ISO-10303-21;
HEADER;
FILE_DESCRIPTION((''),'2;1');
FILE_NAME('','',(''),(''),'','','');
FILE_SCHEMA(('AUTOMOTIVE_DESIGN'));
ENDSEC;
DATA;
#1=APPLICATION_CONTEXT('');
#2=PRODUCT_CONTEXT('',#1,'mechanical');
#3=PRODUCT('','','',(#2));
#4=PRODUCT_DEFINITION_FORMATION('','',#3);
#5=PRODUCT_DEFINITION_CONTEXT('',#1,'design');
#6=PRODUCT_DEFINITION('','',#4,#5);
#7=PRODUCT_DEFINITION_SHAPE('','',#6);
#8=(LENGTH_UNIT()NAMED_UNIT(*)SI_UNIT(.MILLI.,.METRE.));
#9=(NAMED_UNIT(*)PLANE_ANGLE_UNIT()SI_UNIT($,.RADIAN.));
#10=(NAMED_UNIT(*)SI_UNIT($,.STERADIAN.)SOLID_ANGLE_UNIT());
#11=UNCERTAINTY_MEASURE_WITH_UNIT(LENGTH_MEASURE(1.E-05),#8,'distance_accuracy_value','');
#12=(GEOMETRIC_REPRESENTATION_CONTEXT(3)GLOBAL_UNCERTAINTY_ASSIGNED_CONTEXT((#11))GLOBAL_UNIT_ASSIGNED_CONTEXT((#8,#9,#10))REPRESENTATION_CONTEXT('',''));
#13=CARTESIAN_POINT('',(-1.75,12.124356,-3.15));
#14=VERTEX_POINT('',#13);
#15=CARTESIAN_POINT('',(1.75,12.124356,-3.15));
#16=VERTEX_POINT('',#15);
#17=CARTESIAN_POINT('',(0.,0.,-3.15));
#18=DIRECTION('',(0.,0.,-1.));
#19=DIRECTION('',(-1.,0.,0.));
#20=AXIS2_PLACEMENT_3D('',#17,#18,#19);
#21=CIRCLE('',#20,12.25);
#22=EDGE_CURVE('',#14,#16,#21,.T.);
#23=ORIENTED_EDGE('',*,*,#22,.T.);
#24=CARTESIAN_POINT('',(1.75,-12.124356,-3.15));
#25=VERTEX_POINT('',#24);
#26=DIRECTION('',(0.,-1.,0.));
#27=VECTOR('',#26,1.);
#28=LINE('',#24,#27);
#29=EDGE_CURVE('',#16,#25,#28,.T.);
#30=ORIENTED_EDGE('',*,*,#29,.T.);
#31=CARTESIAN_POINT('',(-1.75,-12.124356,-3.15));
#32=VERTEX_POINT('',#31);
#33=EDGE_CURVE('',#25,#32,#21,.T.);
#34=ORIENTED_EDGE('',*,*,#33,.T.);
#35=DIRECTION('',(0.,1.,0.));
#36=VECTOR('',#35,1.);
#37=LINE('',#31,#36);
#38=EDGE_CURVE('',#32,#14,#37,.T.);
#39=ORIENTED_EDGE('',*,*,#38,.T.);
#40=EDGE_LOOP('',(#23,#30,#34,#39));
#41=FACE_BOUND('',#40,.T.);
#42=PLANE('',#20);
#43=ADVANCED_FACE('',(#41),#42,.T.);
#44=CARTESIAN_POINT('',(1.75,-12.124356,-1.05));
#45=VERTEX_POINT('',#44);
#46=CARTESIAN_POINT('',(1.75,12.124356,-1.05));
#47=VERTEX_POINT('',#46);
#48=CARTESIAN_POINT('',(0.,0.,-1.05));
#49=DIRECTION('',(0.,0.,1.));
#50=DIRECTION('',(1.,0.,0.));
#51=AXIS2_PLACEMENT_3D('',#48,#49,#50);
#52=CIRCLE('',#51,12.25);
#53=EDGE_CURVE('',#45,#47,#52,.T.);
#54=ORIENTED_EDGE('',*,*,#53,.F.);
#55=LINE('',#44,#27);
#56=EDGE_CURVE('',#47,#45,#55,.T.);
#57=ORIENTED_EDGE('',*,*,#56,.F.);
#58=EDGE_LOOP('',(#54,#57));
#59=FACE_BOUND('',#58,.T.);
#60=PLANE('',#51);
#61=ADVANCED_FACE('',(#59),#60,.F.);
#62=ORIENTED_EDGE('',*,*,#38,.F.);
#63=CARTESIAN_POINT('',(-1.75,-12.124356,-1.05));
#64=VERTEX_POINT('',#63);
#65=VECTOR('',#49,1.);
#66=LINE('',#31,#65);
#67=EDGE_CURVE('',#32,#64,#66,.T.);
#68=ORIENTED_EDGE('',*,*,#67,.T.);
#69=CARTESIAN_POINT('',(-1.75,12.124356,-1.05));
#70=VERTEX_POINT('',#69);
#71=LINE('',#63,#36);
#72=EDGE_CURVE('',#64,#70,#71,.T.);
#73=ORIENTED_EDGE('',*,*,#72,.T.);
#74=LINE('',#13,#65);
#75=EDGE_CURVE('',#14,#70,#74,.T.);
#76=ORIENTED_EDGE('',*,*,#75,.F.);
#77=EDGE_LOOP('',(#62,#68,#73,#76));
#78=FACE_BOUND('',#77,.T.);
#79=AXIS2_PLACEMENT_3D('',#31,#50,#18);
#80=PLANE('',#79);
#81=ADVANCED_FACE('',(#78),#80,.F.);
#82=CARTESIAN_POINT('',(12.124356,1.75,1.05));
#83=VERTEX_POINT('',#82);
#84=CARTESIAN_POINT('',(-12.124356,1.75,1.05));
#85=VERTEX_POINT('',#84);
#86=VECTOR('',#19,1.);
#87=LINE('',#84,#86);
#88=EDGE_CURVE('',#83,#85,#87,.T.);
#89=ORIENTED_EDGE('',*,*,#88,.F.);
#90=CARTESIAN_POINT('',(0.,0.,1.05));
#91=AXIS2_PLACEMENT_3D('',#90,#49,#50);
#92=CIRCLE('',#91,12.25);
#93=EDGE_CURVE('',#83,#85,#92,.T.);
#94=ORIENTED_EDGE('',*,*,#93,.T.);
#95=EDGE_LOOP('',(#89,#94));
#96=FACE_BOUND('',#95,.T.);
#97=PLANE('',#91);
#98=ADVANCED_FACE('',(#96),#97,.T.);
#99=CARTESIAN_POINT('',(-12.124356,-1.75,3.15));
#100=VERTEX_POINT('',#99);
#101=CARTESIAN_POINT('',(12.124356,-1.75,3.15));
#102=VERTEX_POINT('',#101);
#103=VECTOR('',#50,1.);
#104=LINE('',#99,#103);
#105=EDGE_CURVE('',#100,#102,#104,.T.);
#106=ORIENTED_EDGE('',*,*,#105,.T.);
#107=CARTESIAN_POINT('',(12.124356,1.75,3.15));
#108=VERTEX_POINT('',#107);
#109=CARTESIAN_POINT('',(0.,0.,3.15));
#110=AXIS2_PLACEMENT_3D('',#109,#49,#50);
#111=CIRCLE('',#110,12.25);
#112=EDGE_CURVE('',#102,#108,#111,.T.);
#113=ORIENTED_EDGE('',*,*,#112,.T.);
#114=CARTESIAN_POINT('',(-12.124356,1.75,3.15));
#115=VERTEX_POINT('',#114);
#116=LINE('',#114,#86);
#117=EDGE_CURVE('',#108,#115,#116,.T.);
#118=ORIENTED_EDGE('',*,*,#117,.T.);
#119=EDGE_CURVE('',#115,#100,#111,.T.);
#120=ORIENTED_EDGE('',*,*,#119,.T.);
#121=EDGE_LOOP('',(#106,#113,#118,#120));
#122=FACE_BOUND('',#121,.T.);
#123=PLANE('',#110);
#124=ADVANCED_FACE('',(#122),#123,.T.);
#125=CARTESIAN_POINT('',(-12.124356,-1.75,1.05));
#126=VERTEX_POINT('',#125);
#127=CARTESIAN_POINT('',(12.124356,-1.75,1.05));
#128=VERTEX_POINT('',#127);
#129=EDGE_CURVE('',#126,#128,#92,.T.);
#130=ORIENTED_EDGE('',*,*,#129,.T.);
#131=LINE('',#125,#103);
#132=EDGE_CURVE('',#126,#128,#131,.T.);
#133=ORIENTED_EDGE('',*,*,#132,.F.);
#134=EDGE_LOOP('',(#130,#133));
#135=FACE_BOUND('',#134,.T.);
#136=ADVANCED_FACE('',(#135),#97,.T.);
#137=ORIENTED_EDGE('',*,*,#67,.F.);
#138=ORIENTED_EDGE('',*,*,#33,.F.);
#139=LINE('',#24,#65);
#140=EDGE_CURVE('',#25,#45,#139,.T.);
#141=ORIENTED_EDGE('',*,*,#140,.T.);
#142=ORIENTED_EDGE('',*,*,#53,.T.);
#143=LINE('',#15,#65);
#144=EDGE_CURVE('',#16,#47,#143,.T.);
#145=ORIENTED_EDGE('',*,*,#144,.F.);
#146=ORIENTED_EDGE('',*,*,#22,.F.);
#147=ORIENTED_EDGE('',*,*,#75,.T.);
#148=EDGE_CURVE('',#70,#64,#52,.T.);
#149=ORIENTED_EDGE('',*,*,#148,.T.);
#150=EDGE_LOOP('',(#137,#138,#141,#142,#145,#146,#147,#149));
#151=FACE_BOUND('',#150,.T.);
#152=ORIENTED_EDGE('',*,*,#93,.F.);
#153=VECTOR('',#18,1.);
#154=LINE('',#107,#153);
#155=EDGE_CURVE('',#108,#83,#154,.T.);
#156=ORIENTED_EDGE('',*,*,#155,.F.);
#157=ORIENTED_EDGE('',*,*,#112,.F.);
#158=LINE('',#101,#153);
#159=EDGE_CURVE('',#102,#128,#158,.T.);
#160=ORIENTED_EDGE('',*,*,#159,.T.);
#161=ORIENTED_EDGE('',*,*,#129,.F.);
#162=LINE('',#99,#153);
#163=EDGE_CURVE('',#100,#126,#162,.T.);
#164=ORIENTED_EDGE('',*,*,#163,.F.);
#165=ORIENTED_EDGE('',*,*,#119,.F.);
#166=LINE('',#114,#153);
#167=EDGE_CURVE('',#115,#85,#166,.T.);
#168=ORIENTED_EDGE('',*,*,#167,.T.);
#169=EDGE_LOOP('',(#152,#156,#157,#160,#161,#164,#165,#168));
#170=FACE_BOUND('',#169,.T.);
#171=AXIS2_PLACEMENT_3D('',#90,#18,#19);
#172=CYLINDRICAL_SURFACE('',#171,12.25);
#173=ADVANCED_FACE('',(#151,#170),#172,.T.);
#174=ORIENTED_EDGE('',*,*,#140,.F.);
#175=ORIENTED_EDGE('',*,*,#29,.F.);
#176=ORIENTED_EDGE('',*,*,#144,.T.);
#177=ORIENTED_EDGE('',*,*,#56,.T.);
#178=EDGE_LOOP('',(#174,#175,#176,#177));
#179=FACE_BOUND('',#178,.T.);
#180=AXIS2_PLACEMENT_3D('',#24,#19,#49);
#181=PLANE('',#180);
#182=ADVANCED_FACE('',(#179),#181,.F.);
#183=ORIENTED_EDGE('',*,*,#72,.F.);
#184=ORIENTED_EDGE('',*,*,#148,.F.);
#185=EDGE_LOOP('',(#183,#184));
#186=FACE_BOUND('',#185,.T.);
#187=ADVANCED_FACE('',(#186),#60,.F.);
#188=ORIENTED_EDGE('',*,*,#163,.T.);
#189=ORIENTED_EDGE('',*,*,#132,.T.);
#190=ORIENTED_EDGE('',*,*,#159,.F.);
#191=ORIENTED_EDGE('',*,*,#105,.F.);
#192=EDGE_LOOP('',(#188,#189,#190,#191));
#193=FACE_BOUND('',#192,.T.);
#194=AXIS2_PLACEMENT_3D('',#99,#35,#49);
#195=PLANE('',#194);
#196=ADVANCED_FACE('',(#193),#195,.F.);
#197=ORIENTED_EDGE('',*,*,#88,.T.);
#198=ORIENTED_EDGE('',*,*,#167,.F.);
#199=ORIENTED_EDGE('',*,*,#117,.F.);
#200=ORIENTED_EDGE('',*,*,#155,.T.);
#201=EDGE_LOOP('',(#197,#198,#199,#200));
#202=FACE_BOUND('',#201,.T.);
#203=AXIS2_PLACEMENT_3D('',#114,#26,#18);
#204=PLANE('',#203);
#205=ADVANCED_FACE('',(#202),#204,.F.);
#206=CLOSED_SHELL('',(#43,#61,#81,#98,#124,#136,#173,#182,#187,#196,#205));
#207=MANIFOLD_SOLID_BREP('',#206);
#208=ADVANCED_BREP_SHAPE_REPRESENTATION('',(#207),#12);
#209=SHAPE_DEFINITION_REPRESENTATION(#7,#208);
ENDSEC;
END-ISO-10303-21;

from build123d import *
from build123d.topology import SkipClean

# Parameters (mm, degrees)
SKETCH1_R           = 12.25
BOSS_EXTRUDE1_DEPTH = 1.05
BOSS_EXTRUDE2_START = 2.1
BOSS_EXTRUDE2_DEPTH = 2.1
BOSS_EXTRUDE3_DEPTH = 2.1


with BuildPart() as part:
    # Sketch1 → Boss-Extrude1 (new, symmetric)
    with BuildSketch(Plane.XY):
        Circle(SKETCH1_R)
    extrude(amount=BOSS_EXTRUDE1_DEPTH, both=True)

    # Sketch2 → Boss-Extrude2 (add)
    with SkipClean():  # the faces are left unmerged after this step: merging them gives an invalid solid
        with BuildSketch(Plane.XY.offset(1.05).offset(BOSS_EXTRUDE2_START)):
            with BuildLine():
                Line((-12.124355653, 1.75), (12.124355653, 1.75))
                ThreePointArc((12.124355653, 1.75), (12.25, 0), (12.124355653, -1.75))
                Line((12.124355653, -1.75), (-12.124355653, -1.75))
                ThreePointArc((-12.124355653, -1.75), (-12.25, 0), (-12.124355653, 1.75))
            make_face()
        extrude(amount=-BOSS_EXTRUDE2_DEPTH)

    # Sketch3 → Boss-Extrude3 (add)
    with SkipClean():  # the faces are left unmerged after this step: merging them gives an invalid solid
        with BuildSketch(Plane(origin=(0, 0, -1.05), x_dir=(-1, 0, 0), z_dir=(0, 0, -1))):
            with BuildLine():
                Line((-1.75, -12.124355653), (-1.75, 12.124355653))
                ThreePointArc((-1.75, 12.124355653), (0, 12.25), (1.75, 12.124355653))
                Line((1.75, 12.124355653), (1.75, -12.124355653))
                ThreePointArc((1.75, -12.124355653), (0, -12.25), (-1.75, -12.124355653))
            make_face()
        extrude(amount=BOSS_EXTRUDE3_DEPTH)


solid = part.part
